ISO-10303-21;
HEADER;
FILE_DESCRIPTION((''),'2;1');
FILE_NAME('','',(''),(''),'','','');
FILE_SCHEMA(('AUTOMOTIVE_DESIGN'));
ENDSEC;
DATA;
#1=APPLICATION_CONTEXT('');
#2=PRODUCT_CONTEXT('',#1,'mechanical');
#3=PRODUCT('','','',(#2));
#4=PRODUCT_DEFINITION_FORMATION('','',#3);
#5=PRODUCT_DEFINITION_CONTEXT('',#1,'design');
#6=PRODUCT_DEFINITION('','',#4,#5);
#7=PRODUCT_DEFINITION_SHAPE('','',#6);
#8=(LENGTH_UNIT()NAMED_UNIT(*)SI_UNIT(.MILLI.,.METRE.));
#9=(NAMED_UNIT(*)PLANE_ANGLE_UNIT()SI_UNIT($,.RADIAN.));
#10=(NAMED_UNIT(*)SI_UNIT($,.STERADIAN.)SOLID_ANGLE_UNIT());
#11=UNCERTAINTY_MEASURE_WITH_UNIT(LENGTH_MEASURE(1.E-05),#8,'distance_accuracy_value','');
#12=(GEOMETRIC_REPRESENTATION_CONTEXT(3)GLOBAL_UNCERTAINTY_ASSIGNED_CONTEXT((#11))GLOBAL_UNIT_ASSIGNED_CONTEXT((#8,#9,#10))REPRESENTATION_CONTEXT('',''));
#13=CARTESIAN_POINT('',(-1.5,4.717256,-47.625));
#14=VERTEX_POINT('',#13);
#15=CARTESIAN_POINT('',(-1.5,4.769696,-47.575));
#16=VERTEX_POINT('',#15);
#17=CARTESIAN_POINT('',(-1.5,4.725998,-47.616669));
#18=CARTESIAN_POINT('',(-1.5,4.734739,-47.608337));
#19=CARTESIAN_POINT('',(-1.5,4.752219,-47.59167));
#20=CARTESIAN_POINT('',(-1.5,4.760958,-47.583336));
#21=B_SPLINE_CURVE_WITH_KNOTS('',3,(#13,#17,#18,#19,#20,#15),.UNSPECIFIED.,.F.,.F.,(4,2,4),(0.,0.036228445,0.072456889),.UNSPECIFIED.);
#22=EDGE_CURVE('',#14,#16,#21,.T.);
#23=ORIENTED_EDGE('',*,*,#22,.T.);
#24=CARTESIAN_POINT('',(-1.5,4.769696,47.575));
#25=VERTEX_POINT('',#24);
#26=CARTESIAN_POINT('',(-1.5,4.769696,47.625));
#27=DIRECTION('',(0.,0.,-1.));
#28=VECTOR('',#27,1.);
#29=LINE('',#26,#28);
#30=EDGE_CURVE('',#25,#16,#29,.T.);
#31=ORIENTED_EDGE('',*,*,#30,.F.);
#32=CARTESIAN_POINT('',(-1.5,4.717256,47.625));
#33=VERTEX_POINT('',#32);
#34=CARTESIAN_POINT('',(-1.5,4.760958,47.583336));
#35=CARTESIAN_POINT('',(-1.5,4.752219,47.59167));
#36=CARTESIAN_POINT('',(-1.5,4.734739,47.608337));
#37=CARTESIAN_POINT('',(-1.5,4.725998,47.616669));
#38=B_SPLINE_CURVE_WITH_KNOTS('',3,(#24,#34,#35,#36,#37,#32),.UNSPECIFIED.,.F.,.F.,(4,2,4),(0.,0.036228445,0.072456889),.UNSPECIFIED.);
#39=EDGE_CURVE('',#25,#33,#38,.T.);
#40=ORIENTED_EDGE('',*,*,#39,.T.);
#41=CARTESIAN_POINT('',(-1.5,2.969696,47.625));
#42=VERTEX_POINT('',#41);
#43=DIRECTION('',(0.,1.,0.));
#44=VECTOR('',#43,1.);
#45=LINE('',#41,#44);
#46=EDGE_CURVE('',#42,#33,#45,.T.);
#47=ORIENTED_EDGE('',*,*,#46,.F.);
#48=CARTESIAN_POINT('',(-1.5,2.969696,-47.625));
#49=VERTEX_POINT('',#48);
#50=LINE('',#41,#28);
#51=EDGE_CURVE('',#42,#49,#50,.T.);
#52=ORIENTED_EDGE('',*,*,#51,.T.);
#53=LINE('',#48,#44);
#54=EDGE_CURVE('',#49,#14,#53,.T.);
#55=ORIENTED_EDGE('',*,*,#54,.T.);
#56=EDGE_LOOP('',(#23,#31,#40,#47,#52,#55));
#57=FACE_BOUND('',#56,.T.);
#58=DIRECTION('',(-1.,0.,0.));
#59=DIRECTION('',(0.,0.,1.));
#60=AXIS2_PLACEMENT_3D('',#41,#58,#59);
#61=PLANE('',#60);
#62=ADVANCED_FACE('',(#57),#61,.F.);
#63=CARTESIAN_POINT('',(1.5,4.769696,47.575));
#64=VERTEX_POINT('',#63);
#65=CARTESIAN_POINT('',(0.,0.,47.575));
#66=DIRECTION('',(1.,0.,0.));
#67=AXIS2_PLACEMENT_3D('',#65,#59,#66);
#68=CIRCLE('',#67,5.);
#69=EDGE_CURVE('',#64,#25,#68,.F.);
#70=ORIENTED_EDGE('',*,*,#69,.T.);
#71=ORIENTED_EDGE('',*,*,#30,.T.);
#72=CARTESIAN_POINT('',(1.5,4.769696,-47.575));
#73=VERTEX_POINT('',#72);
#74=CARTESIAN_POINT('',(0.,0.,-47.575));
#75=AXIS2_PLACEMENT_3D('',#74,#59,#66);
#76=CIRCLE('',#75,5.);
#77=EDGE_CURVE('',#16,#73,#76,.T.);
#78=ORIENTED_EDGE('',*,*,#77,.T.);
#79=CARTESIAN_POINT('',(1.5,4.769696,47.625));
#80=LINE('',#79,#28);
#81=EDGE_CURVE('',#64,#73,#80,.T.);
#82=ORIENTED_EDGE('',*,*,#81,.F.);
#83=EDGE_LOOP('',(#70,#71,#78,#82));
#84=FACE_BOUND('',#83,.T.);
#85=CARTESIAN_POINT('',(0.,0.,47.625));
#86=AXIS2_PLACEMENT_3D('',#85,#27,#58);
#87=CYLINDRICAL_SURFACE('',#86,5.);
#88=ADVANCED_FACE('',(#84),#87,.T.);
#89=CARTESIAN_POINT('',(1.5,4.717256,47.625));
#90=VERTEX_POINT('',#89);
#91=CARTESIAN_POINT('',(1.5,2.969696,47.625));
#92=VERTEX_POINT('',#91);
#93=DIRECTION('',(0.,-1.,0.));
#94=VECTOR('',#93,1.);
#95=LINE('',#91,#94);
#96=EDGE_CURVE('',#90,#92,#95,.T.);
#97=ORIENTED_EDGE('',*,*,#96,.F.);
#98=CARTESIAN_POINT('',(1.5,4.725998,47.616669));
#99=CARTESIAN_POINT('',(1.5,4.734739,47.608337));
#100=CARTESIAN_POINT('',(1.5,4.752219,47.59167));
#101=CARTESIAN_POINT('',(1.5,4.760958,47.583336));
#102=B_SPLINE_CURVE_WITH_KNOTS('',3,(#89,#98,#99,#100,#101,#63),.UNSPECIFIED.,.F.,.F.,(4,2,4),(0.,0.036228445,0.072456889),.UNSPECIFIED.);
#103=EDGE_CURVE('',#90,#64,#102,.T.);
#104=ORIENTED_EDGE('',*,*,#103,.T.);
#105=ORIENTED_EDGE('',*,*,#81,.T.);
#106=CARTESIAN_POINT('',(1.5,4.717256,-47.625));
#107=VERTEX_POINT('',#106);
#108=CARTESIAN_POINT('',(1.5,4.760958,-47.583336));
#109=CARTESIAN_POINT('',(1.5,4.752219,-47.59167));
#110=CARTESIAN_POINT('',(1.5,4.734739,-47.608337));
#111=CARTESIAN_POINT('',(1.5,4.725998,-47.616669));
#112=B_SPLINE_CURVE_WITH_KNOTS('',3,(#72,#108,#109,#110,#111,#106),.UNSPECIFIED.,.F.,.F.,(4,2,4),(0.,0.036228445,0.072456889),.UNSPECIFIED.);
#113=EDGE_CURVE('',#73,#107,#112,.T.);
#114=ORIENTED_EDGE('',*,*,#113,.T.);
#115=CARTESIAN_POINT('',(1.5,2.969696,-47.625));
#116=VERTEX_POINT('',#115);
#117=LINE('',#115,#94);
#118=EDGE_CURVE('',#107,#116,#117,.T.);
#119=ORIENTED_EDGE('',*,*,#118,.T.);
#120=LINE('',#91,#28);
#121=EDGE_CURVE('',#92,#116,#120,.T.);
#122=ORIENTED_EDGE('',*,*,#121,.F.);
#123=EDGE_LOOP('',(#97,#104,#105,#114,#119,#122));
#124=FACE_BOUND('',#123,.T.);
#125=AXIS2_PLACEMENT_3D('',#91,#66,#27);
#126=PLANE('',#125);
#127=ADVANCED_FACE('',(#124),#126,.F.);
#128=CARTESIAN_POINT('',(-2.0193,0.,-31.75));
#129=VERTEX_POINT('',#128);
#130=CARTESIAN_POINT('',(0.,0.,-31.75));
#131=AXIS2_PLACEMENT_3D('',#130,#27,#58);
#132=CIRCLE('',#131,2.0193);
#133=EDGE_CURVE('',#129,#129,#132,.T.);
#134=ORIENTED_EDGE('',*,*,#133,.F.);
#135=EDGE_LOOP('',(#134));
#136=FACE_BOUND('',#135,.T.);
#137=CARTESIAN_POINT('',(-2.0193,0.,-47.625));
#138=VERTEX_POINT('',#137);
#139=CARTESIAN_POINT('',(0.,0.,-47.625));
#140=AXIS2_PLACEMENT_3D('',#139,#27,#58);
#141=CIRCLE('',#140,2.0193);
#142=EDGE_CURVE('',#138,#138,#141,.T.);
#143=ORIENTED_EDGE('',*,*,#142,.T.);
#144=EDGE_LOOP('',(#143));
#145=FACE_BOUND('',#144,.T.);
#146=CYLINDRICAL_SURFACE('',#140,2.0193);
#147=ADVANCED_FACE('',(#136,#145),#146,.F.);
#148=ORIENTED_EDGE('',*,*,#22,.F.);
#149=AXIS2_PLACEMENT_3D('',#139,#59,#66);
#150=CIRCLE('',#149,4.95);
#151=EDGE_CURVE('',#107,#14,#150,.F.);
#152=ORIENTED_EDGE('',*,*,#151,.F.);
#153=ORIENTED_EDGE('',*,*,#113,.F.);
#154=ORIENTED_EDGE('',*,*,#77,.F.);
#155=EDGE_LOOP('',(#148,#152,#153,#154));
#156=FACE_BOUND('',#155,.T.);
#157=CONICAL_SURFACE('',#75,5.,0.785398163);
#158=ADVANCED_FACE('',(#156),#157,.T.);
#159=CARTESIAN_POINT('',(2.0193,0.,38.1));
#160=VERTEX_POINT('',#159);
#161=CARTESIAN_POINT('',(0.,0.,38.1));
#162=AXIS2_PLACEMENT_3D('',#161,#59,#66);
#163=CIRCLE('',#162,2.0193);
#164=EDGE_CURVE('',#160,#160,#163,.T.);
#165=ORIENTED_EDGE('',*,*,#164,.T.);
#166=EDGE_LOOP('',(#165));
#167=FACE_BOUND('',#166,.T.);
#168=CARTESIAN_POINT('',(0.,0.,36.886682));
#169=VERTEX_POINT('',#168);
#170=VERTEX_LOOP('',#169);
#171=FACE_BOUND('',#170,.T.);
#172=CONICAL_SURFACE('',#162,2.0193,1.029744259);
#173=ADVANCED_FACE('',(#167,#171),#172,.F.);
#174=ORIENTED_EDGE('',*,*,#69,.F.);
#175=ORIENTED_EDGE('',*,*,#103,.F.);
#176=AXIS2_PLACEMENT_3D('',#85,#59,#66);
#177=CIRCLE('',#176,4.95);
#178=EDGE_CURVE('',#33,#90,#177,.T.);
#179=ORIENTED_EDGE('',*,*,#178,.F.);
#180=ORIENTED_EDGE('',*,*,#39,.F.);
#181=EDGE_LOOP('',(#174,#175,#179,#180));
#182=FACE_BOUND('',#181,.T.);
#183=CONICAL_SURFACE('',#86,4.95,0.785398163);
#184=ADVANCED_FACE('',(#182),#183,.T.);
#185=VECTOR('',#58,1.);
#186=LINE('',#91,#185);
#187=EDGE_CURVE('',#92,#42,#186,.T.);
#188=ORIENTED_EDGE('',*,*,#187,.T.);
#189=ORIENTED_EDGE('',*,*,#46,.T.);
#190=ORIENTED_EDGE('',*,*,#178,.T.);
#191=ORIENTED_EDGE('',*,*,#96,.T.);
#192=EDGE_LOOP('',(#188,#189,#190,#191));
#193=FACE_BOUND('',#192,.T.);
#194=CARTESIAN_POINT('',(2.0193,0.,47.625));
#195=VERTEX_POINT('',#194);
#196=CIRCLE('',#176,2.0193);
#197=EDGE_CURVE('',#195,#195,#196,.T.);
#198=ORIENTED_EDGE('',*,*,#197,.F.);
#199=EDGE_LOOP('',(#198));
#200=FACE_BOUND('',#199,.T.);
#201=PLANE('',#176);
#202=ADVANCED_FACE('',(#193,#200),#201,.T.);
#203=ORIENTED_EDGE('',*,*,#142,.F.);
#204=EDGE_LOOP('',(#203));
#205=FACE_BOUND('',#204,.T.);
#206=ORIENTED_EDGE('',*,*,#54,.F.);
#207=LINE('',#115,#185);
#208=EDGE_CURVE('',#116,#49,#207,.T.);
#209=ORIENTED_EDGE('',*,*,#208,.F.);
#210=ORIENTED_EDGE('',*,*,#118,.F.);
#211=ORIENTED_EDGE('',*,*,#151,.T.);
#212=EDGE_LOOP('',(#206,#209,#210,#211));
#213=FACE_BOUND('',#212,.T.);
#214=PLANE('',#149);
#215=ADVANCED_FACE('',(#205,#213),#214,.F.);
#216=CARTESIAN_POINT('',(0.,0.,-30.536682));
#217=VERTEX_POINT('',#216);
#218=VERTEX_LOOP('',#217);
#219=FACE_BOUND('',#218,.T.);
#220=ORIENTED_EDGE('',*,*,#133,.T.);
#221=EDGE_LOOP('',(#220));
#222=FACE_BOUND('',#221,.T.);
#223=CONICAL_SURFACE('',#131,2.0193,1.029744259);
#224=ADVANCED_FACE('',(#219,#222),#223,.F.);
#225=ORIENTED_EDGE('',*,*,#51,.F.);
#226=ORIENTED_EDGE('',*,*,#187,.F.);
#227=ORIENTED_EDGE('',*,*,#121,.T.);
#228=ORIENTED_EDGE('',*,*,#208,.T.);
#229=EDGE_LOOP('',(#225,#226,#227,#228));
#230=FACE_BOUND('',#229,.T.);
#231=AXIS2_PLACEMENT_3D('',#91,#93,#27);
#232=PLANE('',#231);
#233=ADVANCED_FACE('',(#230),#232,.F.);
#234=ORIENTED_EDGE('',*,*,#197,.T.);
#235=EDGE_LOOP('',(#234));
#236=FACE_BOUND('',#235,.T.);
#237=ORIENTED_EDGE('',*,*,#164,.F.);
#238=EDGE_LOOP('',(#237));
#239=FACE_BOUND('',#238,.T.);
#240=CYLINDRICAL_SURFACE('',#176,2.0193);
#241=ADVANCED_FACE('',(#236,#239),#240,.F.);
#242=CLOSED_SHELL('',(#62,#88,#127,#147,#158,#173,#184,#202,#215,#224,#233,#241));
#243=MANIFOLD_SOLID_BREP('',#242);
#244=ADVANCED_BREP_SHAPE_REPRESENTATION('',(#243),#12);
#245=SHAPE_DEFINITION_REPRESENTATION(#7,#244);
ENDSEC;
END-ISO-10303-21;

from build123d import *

# Parameters (mm, degrees)
BOSS_EXTRUDE1_DEPTH            = 47.625
BOSS_EXTRUDE1_DEPTH_BACK       = 47.625
CHAMFER1_SIZE                  = 0.05
TAP_DRILL_FOR_10_32_TAP2_D     = 4.0386
TAP_DRILL_FOR_10_32_TAP2_DEPTH = 15.875
TAP_DRILL_FOR_10_32_TAP2_TIP   = 1.213317848
TAP_DRILL_FOR_10_32_TAP1_D     = 4.0386
TAP_DRILL_FOR_10_32_TAP1_DEPTH = 9.525
TAP_DRILL_FOR_10_32_TAP1_TIP   = 1.213317848


with BuildPart() as part:
    # Sketch3 → Boss-Extrude1 (new, two sides: drawn at the far end of the back side and taken through both)
    with BuildSketch(Plane.XY.offset(-BOSS_EXTRUDE1_DEPTH_BACK)):
        with BuildLine():
            Line((-1.5, 2.969696007), (-1.5, 4.769696007))
            ThreePointArc((-1.5, 4.769696007), (0, -5), (1.5, 4.769696007))
            Line((1.5, 4.769696007), (1.5, 2.969696007))
            Line((1.5, 2.969696007), (-1.5, 2.969696007))
        make_face()
    extrude(amount=BOSS_EXTRUDE1_DEPTH + BOSS_EXTRUDE1_DEPTH_BACK)

    # Chamfer1
    chamfer1_edges = [part.edges().sort_by_distance(p)[0] for p in [
        (0, -5, -47.625),
        (0, -5, 47.625),
    ]]
    chamfer(chamfer1_edges, length=CHAMFER1_SIZE)

    # Tap Drill for #10-32 Tap2
    with Locations(Plane(origin=(0, 0, -47.625), x_dir=(-1, 0, 0), z_dir=(0, 0, -1))):
        with Locations((0, 0)):
            Hole(TAP_DRILL_FOR_10_32_TAP2_D / 2, depth=TAP_DRILL_FOR_10_32_TAP2_DEPTH)
            with Locations((0, 0, -(TAP_DRILL_FOR_10_32_TAP2_DEPTH + TAP_DRILL_FOR_10_32_TAP2_TIP / 2))):  # 118° drill point
                Cone(0, TAP_DRILL_FOR_10_32_TAP2_D / 2, TAP_DRILL_FOR_10_32_TAP2_TIP, mode=Mode.SUBTRACT)

    # Tap Drill for #10-32 Tap1
    with Locations(Plane.XY.offset(47.625)):
        with Locations((0, 0)):
            Hole(TAP_DRILL_FOR_10_32_TAP1_D / 2, depth=TAP_DRILL_FOR_10_32_TAP1_DEPTH)
            with Locations((0, 0, -(TAP_DRILL_FOR_10_32_TAP1_DEPTH + TAP_DRILL_FOR_10_32_TAP1_TIP / 2))):  # 118° drill point
                Cone(0, TAP_DRILL_FOR_10_32_TAP1_D / 2, TAP_DRILL_FOR_10_32_TAP1_TIP, mode=Mode.SUBTRACT)


solid = part.part
